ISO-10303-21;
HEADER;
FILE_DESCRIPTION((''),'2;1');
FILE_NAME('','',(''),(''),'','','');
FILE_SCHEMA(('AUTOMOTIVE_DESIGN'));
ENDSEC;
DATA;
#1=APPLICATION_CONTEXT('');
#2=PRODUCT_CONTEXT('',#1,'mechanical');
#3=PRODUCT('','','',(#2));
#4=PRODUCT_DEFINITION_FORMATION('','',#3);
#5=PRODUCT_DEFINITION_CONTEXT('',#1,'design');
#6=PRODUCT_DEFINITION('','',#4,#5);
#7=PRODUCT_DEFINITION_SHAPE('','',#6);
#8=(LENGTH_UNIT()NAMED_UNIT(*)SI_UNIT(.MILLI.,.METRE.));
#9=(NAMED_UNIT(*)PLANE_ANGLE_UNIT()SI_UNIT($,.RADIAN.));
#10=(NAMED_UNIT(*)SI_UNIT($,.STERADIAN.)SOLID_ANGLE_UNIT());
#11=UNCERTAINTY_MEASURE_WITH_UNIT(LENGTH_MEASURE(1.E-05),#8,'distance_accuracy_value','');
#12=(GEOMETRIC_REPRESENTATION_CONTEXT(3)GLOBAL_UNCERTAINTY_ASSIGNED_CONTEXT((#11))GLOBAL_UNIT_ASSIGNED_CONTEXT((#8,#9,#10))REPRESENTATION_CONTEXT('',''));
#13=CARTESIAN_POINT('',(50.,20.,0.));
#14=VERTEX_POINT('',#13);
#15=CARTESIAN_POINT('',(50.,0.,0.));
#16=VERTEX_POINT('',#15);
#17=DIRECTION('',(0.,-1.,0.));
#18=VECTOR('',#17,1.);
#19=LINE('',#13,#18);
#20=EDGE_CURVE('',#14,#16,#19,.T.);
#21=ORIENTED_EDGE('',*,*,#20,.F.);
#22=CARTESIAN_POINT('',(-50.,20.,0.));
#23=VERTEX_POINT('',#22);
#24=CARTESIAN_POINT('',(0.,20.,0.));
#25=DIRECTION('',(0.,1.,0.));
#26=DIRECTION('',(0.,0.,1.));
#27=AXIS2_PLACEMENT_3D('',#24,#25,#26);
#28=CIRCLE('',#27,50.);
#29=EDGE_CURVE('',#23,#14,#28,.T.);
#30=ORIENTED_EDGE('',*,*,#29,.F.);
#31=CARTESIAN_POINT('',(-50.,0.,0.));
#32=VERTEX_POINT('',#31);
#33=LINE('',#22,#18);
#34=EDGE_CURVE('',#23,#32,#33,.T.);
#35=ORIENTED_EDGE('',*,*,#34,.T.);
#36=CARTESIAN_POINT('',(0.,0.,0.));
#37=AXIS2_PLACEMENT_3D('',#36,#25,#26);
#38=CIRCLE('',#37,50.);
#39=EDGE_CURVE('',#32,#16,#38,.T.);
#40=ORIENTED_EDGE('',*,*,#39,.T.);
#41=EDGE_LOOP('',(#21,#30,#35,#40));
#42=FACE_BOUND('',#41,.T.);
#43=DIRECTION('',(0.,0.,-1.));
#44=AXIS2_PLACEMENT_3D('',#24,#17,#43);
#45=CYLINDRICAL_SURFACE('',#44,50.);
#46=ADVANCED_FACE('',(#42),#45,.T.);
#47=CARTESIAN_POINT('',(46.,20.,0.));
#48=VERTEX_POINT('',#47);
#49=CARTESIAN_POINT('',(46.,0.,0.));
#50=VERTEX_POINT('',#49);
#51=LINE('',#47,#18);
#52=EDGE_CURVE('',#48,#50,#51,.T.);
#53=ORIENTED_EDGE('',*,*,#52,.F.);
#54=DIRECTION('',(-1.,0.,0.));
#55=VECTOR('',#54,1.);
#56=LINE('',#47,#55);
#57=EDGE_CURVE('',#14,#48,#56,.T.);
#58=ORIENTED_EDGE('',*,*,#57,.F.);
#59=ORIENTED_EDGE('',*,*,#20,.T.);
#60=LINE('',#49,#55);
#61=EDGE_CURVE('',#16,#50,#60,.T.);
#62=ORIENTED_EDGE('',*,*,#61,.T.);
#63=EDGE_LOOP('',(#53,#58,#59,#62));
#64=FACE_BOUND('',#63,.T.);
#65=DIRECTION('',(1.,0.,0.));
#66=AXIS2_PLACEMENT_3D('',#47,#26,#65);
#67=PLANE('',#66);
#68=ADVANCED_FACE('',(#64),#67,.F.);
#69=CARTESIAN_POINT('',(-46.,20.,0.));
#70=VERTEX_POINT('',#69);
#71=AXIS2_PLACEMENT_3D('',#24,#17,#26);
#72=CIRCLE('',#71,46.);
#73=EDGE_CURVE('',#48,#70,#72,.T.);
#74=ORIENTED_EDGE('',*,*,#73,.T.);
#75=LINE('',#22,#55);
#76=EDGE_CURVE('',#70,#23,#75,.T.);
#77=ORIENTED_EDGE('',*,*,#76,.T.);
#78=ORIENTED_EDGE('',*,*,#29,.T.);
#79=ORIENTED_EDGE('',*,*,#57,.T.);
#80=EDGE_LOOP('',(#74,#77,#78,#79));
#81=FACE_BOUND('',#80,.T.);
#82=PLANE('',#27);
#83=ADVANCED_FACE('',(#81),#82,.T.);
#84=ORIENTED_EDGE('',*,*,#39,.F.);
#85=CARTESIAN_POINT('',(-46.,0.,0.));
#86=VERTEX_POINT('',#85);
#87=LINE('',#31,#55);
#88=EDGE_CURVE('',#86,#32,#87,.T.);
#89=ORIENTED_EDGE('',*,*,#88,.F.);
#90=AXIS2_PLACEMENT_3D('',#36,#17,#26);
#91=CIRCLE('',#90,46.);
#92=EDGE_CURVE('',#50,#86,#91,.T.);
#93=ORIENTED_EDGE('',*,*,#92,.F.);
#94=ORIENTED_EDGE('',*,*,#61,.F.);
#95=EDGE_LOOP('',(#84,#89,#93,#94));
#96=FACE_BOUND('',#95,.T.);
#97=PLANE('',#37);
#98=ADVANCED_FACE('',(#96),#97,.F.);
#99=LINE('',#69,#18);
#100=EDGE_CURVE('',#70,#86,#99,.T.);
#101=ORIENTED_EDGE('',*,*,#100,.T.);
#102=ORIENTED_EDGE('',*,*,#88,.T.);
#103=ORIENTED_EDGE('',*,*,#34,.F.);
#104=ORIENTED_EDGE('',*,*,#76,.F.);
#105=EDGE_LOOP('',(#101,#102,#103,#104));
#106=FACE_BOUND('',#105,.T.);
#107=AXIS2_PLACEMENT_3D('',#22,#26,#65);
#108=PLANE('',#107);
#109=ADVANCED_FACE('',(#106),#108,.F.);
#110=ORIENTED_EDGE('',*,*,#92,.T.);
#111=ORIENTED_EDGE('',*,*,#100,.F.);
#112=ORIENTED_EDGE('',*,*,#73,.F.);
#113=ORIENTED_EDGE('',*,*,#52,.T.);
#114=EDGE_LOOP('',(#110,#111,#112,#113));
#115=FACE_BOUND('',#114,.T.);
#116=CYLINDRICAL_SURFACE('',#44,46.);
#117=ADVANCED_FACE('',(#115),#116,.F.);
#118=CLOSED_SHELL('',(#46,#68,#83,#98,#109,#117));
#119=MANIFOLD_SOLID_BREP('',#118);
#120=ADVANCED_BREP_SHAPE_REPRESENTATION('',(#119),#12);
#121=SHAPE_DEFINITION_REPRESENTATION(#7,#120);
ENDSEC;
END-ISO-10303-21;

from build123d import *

# Parameters (mm, degrees)
EXTRUDE_1_DEPTH = 20


with BuildPart() as part:
    # 草图1 → 凸台-拉伸1 (new body)
    with BuildSketch(Plane(origin=(0, 0, 0), x_dir=(1, 0, 0), z_dir=(0, 1, 0))):
        with BuildLine():
            Line((-50, 0), (-46, 0))
            ThreePointArc((-46, 0), (0, -46), (46, 0))
            Line((46, 0), (50, 0))
            ThreePointArc((50, 0), (0, -50), (-50, 0))
        make_face()
    extrude(amount=EXTRUDE_1_DEPTH)


solid = part.part
